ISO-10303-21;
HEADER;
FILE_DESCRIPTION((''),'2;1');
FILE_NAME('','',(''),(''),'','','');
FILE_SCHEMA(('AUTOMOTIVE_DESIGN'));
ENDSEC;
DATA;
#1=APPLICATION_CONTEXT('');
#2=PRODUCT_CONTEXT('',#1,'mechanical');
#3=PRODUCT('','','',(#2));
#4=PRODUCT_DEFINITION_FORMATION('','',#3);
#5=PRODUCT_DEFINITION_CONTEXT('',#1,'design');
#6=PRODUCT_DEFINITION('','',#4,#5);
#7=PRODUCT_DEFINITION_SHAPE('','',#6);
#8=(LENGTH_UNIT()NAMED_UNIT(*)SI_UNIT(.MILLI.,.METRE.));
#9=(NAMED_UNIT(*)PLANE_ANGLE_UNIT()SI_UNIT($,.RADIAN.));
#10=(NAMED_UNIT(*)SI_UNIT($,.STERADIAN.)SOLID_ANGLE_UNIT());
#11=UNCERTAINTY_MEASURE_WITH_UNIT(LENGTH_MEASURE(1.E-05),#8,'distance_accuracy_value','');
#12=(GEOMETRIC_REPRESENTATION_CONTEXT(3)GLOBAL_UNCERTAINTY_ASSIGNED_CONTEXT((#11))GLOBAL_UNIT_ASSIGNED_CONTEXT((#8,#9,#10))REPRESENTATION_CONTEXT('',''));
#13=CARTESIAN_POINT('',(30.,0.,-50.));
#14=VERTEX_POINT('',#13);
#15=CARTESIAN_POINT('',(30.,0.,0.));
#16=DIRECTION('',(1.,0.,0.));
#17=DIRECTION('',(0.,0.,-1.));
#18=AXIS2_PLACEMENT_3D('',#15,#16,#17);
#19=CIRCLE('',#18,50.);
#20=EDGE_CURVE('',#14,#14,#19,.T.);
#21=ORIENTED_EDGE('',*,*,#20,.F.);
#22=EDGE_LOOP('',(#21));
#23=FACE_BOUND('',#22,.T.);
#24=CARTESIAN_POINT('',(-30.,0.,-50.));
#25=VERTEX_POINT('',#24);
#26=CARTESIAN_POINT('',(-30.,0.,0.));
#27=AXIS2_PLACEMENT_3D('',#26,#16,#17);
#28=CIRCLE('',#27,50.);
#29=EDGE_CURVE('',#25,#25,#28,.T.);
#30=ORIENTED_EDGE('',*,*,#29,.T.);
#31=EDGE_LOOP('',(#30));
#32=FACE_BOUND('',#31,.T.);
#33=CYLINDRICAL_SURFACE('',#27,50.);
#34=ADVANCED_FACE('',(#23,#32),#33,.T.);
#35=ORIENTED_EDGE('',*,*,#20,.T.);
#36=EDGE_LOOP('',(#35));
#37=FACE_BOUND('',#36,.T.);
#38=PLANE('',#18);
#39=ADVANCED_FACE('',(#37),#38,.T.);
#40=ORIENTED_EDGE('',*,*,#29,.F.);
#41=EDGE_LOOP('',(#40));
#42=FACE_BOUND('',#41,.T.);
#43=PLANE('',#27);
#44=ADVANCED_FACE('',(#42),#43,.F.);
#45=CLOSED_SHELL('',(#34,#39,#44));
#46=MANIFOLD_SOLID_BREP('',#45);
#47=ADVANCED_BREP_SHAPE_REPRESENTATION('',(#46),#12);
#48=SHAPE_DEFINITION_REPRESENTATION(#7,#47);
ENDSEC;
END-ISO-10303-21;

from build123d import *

# Parameters (mm, degrees)
EXTRUDE_1_DEPTH      = 30
EXTRUDE_1_DEPTH_BACK = 30
SKETCH_1_R           = 50


with BuildPart() as part:
    # 草图1 → 凸台-拉伸1 (new, two sides: drawn at the far end of the back side and taken through both)
    with BuildSketch(Plane(origin=(0, 0, 0), x_dir=(0, 0, -1), z_dir=(1, 0, 0)).offset(-EXTRUDE_1_DEPTH_BACK)):
        Circle(SKETCH_1_R)
    extrude(amount=EXTRUDE_1_DEPTH + EXTRUDE_1_DEPTH_BACK)


solid = part.part
